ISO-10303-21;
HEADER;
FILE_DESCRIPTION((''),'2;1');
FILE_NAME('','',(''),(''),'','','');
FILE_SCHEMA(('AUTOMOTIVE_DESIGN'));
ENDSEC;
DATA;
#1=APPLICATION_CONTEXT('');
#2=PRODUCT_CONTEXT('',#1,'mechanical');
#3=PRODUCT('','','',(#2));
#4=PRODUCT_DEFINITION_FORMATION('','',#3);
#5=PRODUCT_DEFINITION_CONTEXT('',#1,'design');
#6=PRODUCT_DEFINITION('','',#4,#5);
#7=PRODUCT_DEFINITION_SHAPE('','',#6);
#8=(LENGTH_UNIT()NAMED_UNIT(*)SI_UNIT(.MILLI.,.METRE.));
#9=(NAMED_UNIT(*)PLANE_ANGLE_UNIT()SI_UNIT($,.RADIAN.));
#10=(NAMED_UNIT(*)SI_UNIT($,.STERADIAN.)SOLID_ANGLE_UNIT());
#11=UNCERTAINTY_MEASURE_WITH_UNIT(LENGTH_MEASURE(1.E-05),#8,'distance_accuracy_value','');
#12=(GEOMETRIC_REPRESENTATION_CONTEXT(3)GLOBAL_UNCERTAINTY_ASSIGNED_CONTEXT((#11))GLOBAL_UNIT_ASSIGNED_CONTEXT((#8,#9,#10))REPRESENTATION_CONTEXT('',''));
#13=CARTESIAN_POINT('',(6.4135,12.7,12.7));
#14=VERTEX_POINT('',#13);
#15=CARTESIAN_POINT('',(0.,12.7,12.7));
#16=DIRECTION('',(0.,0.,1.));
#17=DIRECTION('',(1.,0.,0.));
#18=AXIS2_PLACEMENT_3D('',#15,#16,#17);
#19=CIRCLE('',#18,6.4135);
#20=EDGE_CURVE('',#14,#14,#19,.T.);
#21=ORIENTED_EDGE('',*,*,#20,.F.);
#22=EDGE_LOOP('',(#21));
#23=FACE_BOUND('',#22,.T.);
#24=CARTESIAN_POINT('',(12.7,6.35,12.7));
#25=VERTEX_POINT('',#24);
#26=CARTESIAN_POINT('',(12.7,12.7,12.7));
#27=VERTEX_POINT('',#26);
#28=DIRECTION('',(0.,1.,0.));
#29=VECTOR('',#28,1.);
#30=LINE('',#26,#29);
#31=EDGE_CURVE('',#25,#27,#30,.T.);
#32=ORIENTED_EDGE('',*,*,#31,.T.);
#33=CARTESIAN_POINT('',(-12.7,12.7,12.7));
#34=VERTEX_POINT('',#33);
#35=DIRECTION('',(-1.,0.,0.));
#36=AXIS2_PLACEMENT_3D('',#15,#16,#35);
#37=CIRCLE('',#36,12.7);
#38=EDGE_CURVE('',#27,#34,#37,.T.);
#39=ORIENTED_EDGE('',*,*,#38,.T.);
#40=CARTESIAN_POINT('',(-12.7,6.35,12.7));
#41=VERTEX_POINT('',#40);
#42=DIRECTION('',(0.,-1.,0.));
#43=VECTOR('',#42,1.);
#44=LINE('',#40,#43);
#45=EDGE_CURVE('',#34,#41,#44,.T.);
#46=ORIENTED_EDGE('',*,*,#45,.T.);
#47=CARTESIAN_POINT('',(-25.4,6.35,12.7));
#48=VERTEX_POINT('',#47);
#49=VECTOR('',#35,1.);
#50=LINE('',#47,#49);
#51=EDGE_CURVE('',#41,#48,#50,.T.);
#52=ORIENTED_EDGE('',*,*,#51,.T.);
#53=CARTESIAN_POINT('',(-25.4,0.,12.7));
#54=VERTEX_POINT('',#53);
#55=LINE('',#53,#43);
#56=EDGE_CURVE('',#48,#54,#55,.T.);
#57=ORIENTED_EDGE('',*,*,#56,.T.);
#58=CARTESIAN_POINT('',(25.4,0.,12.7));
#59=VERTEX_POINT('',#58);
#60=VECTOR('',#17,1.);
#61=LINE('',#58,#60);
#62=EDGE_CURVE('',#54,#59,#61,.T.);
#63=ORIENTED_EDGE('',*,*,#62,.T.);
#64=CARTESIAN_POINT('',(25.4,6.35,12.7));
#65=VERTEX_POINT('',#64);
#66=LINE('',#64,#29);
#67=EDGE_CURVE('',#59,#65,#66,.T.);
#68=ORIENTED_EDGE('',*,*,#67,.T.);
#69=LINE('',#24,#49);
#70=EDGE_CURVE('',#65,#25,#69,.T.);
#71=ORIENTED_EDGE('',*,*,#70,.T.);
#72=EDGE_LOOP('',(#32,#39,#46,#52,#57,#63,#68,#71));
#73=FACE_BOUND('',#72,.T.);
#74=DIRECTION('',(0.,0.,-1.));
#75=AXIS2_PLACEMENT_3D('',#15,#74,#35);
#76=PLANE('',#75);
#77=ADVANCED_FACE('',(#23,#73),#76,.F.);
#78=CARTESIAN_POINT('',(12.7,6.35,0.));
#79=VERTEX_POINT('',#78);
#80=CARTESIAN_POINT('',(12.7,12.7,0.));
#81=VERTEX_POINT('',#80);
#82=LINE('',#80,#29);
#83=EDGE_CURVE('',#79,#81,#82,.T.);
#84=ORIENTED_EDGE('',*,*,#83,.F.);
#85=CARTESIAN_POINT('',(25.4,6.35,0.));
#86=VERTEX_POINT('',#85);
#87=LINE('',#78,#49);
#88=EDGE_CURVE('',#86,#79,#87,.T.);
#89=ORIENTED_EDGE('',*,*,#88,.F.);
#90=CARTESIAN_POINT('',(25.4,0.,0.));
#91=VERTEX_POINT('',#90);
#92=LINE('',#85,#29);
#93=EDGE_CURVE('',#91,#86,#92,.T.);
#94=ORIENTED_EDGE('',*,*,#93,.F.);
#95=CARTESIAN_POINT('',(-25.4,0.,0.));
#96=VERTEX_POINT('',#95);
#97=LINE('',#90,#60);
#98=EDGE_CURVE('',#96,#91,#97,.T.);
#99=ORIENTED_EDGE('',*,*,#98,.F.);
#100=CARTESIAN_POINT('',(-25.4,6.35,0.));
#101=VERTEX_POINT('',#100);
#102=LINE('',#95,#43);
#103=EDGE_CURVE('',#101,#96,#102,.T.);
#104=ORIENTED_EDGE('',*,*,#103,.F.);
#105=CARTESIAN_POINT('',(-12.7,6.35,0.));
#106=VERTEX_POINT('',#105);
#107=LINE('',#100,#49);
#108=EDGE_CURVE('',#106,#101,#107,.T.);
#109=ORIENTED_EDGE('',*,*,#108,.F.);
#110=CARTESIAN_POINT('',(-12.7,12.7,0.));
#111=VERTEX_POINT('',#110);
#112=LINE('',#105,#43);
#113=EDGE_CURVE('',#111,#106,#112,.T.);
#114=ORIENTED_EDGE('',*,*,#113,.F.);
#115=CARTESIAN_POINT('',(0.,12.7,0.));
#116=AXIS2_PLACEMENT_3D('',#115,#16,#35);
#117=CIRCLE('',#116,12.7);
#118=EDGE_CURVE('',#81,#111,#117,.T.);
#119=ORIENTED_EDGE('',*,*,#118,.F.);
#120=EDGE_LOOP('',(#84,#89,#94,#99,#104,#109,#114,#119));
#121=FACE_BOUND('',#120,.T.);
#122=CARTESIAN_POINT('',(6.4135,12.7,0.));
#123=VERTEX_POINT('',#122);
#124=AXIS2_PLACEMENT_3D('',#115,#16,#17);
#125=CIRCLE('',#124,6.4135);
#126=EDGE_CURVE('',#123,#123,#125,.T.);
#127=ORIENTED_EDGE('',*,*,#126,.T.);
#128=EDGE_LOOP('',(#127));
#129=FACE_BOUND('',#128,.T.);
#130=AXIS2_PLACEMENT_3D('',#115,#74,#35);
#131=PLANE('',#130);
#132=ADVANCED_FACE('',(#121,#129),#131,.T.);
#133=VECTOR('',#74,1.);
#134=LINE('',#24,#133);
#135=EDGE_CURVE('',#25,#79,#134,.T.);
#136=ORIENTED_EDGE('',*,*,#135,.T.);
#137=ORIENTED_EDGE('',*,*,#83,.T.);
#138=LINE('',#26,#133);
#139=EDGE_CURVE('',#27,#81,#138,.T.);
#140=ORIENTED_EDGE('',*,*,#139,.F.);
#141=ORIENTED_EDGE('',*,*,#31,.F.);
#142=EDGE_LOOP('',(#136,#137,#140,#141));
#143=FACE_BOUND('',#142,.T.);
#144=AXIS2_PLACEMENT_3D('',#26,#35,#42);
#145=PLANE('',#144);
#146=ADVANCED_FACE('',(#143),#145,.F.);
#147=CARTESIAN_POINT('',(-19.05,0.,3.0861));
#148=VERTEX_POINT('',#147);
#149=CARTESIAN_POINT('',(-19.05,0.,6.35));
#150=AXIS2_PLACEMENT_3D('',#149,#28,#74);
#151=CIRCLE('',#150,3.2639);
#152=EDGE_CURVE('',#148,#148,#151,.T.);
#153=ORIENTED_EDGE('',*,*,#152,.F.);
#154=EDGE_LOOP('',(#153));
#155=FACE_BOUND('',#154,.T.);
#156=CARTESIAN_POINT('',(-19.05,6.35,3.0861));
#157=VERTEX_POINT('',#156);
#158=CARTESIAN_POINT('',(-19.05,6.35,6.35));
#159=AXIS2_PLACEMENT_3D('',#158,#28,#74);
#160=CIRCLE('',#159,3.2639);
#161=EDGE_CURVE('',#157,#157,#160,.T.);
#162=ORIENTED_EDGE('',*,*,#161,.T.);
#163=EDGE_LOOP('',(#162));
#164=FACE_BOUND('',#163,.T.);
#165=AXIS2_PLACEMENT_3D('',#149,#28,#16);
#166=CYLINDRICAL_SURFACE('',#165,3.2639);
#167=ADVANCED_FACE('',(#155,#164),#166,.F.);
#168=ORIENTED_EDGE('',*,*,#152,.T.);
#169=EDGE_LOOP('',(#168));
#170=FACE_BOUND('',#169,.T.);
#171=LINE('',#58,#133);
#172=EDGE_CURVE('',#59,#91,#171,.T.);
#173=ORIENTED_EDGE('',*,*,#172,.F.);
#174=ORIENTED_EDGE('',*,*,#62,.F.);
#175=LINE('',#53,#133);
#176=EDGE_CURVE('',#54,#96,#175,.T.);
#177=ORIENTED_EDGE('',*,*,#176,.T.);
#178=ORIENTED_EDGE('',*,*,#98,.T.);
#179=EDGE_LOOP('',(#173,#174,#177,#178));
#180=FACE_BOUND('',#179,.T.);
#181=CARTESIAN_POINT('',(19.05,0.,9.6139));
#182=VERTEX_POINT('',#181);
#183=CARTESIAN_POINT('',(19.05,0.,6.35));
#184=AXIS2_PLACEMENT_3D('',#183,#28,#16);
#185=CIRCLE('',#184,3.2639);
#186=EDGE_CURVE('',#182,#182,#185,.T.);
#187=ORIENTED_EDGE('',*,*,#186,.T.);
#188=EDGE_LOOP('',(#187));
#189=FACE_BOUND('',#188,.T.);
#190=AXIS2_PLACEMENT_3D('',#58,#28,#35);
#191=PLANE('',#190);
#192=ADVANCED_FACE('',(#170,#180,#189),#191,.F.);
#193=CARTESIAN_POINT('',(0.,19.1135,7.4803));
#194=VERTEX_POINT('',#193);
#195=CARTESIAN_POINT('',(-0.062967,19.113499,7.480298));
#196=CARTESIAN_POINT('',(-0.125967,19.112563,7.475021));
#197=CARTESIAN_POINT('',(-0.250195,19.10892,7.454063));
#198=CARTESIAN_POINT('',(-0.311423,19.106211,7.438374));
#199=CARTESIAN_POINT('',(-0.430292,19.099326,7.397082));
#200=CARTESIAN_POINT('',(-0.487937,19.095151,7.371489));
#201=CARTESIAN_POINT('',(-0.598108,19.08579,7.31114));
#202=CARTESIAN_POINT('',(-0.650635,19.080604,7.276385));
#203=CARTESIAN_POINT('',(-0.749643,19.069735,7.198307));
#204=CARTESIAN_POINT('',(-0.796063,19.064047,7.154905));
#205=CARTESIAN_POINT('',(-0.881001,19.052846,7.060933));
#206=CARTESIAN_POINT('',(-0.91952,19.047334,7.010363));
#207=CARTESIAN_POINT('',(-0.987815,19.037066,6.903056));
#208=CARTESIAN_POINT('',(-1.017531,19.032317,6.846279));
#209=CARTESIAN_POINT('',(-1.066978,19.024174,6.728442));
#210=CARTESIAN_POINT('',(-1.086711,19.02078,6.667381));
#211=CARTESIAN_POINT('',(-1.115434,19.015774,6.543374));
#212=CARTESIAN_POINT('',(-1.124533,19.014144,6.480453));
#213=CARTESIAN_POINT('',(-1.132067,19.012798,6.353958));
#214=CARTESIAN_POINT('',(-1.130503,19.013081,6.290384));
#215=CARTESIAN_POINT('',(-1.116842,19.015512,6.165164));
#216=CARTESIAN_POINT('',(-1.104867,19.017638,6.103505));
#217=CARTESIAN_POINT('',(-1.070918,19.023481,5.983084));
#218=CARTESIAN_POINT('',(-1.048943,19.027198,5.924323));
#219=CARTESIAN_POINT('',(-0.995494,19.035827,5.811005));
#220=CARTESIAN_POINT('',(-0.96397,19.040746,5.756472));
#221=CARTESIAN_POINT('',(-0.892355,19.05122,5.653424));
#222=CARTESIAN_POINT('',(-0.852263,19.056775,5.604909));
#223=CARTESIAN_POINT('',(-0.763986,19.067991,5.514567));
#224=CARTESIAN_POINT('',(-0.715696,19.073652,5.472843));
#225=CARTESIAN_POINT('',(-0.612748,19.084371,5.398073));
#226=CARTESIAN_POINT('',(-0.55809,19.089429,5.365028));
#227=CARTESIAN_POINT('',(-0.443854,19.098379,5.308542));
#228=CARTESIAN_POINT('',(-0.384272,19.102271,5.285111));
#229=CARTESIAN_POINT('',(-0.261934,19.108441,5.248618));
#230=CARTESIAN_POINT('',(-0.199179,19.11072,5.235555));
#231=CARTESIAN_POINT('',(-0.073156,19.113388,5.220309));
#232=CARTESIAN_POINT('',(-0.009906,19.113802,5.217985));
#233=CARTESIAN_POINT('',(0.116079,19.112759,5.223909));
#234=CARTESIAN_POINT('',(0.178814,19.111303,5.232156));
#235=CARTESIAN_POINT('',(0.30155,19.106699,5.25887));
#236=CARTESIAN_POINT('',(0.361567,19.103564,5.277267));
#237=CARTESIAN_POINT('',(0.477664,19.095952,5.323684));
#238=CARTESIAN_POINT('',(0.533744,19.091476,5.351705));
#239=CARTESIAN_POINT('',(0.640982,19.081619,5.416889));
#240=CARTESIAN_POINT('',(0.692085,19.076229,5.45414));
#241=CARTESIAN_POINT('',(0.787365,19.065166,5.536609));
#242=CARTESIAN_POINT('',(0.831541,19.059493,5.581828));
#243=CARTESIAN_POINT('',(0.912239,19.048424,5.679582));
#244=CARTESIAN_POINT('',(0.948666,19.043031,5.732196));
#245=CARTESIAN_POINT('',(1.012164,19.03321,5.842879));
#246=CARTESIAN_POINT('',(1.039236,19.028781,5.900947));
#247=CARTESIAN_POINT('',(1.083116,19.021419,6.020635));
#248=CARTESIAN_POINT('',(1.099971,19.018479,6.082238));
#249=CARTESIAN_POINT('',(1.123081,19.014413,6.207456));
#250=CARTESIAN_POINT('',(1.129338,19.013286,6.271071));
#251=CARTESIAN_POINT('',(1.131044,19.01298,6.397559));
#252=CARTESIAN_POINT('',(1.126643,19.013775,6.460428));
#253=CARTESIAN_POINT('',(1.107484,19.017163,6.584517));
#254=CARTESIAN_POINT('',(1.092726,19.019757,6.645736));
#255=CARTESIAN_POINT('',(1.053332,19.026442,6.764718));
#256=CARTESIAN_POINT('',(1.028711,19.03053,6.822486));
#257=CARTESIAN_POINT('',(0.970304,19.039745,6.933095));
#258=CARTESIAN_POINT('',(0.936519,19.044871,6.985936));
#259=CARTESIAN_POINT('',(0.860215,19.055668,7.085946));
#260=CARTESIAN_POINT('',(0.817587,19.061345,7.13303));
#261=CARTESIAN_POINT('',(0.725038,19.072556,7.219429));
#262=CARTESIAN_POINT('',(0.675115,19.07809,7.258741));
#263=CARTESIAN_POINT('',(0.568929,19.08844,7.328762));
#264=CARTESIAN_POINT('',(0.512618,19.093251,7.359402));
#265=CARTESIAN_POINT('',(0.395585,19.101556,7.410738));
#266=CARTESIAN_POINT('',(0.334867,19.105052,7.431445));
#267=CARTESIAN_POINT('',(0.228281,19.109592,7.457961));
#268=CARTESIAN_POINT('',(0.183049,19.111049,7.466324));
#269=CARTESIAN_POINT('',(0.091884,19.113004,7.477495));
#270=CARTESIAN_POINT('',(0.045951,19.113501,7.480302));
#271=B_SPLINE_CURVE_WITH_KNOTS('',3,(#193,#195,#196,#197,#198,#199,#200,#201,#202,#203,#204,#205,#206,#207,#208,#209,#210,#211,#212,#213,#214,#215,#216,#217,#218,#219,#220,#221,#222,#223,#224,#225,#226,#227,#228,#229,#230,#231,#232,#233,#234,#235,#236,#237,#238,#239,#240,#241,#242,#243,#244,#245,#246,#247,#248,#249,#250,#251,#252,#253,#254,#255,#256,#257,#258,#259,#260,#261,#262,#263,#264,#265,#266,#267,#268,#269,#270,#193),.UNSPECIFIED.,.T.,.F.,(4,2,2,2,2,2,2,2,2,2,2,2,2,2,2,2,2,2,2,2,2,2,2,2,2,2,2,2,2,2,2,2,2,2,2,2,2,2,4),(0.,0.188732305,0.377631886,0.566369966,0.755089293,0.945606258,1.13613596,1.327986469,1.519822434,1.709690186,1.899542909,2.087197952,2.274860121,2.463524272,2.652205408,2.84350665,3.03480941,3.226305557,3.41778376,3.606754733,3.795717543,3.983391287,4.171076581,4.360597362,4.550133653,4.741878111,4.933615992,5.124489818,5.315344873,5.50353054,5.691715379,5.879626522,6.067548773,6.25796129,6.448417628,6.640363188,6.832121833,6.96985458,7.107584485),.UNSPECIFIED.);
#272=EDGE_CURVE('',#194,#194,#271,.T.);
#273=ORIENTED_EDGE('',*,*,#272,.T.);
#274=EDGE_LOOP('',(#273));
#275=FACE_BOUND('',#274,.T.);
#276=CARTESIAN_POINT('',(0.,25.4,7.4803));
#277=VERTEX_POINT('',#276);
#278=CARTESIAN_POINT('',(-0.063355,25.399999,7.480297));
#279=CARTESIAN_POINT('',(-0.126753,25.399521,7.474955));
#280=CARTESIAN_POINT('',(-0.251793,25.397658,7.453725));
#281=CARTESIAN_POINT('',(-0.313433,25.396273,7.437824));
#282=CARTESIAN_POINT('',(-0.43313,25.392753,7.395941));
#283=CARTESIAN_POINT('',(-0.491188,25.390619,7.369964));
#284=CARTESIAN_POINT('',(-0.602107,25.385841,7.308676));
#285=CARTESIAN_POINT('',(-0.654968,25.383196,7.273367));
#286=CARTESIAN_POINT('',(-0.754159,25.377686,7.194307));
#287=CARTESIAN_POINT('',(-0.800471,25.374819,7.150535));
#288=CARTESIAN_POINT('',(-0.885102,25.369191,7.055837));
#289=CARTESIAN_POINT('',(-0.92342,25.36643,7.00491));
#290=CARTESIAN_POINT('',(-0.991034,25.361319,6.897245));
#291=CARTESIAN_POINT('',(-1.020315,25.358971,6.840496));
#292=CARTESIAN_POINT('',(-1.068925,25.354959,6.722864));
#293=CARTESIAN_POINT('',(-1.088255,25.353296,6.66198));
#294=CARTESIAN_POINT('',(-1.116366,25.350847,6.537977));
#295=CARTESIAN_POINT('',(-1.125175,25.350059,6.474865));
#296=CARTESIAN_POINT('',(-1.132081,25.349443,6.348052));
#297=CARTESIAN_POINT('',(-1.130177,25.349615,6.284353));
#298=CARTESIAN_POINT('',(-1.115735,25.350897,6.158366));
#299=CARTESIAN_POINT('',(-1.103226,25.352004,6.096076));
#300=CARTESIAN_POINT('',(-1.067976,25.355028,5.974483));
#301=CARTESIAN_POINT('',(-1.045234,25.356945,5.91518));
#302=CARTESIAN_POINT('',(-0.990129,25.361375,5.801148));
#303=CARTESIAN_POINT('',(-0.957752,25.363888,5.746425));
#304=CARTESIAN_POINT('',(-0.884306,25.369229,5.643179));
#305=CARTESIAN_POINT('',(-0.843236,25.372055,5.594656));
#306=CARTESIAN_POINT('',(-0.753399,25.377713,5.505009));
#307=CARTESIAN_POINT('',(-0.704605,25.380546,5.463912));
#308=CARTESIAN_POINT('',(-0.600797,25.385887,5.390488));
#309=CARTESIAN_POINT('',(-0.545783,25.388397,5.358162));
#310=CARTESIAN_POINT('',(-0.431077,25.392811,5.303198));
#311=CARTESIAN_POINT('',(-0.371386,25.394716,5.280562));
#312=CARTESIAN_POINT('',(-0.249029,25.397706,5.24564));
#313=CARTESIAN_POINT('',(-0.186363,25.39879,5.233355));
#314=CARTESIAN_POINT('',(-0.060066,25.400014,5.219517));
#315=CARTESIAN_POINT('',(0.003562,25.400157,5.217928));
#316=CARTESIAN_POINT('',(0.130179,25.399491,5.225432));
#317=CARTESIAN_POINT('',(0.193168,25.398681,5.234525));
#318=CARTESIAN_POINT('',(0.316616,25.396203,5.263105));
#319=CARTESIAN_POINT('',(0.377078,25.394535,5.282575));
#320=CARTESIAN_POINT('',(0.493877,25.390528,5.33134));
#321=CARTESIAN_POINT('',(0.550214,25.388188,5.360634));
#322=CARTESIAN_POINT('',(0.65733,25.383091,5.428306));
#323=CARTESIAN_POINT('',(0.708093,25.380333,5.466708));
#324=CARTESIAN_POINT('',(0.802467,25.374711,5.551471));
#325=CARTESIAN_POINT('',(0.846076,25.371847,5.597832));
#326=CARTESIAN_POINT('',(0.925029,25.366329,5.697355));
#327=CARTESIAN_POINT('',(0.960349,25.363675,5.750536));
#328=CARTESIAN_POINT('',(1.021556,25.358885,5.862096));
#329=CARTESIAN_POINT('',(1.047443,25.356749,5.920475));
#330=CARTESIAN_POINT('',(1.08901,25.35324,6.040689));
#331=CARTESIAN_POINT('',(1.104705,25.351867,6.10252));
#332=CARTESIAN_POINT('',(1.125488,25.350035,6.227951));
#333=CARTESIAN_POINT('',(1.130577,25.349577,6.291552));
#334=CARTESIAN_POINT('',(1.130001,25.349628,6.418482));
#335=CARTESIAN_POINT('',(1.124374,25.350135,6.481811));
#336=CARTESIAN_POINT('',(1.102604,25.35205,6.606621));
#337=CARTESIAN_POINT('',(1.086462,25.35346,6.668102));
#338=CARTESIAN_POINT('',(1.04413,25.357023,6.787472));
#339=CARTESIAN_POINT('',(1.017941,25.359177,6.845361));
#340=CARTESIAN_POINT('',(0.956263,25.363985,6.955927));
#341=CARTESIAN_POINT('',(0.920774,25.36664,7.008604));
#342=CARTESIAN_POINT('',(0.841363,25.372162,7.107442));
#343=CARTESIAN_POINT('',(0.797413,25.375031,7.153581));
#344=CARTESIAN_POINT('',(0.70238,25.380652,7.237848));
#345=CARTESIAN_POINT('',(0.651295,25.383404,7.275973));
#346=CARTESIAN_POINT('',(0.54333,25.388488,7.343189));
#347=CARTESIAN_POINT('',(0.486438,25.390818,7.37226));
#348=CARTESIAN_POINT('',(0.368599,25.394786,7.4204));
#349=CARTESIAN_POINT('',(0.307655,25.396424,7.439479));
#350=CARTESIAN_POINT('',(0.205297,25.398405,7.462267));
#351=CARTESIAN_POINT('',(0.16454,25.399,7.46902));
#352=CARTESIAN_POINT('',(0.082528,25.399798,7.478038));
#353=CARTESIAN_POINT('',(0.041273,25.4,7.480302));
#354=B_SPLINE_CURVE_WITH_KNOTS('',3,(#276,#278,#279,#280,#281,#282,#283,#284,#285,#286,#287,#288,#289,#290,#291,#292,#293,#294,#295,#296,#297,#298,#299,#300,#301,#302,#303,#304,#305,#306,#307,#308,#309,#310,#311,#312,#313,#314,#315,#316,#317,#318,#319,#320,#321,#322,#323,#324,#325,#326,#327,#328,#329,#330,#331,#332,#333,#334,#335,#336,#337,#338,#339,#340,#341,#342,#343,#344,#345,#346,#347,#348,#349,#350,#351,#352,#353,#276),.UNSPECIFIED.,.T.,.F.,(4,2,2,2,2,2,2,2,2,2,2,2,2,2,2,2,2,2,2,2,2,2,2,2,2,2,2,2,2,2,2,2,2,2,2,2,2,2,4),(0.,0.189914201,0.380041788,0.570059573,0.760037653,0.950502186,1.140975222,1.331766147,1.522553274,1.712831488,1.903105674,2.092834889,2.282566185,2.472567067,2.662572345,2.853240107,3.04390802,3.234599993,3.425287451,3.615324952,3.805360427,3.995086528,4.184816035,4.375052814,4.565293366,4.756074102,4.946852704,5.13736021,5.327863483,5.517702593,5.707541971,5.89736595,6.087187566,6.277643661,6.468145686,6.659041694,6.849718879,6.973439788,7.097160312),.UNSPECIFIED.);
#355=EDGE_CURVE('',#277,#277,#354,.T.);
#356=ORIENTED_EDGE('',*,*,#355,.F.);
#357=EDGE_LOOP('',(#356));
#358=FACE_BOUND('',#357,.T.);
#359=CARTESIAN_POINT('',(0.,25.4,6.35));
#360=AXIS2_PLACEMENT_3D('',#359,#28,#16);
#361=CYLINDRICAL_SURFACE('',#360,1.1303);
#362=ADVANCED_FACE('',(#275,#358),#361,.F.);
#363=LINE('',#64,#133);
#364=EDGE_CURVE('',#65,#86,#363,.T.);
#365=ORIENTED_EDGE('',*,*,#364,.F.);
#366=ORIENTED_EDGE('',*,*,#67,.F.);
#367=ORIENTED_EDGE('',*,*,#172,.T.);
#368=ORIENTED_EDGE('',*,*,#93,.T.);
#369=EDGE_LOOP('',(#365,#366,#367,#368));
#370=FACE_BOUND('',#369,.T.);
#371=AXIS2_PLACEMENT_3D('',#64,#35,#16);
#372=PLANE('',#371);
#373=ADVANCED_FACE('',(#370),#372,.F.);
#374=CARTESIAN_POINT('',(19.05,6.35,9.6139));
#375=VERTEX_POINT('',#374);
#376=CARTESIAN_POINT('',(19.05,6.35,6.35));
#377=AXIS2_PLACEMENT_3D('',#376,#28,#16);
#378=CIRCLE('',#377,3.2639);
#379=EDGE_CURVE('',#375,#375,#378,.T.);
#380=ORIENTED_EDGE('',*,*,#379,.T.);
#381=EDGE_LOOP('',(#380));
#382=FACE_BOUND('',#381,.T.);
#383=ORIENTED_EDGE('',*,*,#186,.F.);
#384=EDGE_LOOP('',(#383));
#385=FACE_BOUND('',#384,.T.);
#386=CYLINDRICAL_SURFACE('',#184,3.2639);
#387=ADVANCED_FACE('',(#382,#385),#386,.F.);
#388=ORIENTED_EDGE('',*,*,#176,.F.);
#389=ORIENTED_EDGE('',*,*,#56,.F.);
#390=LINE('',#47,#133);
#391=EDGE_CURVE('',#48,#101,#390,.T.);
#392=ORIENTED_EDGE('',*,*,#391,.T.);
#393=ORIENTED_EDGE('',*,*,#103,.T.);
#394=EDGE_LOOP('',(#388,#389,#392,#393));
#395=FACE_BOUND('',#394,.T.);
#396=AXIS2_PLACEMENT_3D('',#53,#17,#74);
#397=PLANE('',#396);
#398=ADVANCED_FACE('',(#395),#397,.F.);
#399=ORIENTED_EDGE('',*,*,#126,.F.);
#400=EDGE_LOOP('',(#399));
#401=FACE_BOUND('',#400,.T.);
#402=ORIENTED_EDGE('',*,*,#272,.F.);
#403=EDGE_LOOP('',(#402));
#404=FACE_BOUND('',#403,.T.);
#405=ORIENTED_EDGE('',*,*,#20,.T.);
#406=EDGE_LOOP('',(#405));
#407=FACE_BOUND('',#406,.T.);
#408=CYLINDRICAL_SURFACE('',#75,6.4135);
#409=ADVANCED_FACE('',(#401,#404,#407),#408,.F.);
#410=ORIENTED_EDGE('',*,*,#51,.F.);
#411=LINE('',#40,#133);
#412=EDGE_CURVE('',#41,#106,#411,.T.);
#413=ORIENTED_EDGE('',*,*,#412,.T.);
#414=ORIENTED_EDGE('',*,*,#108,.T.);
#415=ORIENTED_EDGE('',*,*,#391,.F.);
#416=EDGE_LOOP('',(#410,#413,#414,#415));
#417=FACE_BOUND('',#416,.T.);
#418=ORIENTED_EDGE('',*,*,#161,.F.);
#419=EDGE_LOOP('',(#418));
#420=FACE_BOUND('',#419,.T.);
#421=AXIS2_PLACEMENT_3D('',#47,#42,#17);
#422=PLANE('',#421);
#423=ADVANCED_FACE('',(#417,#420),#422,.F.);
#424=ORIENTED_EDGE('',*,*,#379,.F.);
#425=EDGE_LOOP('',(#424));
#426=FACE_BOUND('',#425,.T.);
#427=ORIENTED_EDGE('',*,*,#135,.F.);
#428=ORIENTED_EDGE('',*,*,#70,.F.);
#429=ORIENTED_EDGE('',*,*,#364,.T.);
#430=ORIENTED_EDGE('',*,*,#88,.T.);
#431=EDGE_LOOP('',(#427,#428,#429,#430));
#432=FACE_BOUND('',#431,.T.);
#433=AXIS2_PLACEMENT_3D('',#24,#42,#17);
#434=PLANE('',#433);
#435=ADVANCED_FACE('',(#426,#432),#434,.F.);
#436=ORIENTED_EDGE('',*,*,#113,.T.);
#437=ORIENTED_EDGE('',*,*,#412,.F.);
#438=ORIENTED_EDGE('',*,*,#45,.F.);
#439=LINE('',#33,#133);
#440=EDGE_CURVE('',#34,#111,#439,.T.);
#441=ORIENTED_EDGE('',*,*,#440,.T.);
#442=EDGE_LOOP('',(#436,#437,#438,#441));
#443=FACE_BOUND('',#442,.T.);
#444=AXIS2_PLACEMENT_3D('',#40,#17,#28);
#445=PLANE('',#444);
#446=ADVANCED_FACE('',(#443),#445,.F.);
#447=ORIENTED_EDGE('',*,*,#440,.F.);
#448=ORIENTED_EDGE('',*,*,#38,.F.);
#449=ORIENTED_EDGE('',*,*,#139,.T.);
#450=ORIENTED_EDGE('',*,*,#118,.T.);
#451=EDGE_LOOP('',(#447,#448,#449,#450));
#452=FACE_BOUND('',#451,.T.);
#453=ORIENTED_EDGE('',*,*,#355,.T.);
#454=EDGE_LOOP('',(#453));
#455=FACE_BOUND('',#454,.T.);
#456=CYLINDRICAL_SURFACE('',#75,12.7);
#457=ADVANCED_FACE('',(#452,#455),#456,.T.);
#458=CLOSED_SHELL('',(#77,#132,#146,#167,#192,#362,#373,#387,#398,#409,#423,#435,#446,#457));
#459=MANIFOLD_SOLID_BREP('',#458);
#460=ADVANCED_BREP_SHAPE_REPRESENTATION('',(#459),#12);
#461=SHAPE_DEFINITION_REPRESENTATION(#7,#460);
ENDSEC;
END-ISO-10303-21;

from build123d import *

# Parameters (mm, degrees)
SKETCH1_R                 = 6.4135
BOSS_EXTRUDE1_DEPTH       = 12.7
SKETCH2_R                 = 3.2639
CUT_EXTRUDE1_DEPTH        = 7.35
F_4_40_TAPPED_HOLE1_D     = 2.2606
F_4_40_TAPPED_HOLE1_DEPTH = 7.62
F_4_40_TAPPED_HOLE1_TIP   = 0.679152758


with BuildPart() as part:
    # Sketch1 → Boss-Extrude1 (new body)
    with BuildSketch(Plane.XY):
        with BuildLine():
            Line((12.7, 12.7), (12.7, 6.35))
            Line((12.7, 6.35), (25.4, 6.35))
            Line((25.4, 6.35), (25.4, 0))
            Line((25.4, 0), (-25.4, 0))
            Line((-25.4, 0), (-25.4, 6.35))
            Line((-25.4, 6.35), (-12.7, 6.35))
            Line((-12.7, 6.35), (-12.7, 12.7))
            ThreePointArc((-12.7, 12.7), (0, 25.4), (12.7, 12.7))
        make_face()
        with Locations((0, 12.7)):
            Circle(SKETCH1_R, mode=Mode.SUBTRACT)
    extrude(amount=BOSS_EXTRUDE1_DEPTH)

    # Sketch2 → Cut-Extrude1 (cut, through all)
    with BuildSketch(Plane(origin=(0, 6.35, 0), x_dir=(1, 0, 0), z_dir=(0, 1, 0))):
        with Locations((19.05, -6.35)):
            Circle(SKETCH2_R)
        with Locations((-19.05, -6.35)):
            Circle(SKETCH2_R)
    extrude(amount=-CUT_EXTRUDE1_DEPTH, mode=Mode.SUBTRACT)

    # #4-40 Tapped Hole1
    with Locations(Plane(origin=(0, 25.4, 6.35), x_dir=(1, 0, 0), z_dir=(0, 1, 0))):
        with Locations((0, 0)):
            Hole(F_4_40_TAPPED_HOLE1_D / 2, depth=F_4_40_TAPPED_HOLE1_DEPTH)
            with Locations((0, 0, -(F_4_40_TAPPED_HOLE1_DEPTH + F_4_40_TAPPED_HOLE1_TIP / 2))):  # 118° drill point
                Cone(0, F_4_40_TAPPED_HOLE1_D / 2, F_4_40_TAPPED_HOLE1_TIP, mode=Mode.SUBTRACT)


solid = part.part
